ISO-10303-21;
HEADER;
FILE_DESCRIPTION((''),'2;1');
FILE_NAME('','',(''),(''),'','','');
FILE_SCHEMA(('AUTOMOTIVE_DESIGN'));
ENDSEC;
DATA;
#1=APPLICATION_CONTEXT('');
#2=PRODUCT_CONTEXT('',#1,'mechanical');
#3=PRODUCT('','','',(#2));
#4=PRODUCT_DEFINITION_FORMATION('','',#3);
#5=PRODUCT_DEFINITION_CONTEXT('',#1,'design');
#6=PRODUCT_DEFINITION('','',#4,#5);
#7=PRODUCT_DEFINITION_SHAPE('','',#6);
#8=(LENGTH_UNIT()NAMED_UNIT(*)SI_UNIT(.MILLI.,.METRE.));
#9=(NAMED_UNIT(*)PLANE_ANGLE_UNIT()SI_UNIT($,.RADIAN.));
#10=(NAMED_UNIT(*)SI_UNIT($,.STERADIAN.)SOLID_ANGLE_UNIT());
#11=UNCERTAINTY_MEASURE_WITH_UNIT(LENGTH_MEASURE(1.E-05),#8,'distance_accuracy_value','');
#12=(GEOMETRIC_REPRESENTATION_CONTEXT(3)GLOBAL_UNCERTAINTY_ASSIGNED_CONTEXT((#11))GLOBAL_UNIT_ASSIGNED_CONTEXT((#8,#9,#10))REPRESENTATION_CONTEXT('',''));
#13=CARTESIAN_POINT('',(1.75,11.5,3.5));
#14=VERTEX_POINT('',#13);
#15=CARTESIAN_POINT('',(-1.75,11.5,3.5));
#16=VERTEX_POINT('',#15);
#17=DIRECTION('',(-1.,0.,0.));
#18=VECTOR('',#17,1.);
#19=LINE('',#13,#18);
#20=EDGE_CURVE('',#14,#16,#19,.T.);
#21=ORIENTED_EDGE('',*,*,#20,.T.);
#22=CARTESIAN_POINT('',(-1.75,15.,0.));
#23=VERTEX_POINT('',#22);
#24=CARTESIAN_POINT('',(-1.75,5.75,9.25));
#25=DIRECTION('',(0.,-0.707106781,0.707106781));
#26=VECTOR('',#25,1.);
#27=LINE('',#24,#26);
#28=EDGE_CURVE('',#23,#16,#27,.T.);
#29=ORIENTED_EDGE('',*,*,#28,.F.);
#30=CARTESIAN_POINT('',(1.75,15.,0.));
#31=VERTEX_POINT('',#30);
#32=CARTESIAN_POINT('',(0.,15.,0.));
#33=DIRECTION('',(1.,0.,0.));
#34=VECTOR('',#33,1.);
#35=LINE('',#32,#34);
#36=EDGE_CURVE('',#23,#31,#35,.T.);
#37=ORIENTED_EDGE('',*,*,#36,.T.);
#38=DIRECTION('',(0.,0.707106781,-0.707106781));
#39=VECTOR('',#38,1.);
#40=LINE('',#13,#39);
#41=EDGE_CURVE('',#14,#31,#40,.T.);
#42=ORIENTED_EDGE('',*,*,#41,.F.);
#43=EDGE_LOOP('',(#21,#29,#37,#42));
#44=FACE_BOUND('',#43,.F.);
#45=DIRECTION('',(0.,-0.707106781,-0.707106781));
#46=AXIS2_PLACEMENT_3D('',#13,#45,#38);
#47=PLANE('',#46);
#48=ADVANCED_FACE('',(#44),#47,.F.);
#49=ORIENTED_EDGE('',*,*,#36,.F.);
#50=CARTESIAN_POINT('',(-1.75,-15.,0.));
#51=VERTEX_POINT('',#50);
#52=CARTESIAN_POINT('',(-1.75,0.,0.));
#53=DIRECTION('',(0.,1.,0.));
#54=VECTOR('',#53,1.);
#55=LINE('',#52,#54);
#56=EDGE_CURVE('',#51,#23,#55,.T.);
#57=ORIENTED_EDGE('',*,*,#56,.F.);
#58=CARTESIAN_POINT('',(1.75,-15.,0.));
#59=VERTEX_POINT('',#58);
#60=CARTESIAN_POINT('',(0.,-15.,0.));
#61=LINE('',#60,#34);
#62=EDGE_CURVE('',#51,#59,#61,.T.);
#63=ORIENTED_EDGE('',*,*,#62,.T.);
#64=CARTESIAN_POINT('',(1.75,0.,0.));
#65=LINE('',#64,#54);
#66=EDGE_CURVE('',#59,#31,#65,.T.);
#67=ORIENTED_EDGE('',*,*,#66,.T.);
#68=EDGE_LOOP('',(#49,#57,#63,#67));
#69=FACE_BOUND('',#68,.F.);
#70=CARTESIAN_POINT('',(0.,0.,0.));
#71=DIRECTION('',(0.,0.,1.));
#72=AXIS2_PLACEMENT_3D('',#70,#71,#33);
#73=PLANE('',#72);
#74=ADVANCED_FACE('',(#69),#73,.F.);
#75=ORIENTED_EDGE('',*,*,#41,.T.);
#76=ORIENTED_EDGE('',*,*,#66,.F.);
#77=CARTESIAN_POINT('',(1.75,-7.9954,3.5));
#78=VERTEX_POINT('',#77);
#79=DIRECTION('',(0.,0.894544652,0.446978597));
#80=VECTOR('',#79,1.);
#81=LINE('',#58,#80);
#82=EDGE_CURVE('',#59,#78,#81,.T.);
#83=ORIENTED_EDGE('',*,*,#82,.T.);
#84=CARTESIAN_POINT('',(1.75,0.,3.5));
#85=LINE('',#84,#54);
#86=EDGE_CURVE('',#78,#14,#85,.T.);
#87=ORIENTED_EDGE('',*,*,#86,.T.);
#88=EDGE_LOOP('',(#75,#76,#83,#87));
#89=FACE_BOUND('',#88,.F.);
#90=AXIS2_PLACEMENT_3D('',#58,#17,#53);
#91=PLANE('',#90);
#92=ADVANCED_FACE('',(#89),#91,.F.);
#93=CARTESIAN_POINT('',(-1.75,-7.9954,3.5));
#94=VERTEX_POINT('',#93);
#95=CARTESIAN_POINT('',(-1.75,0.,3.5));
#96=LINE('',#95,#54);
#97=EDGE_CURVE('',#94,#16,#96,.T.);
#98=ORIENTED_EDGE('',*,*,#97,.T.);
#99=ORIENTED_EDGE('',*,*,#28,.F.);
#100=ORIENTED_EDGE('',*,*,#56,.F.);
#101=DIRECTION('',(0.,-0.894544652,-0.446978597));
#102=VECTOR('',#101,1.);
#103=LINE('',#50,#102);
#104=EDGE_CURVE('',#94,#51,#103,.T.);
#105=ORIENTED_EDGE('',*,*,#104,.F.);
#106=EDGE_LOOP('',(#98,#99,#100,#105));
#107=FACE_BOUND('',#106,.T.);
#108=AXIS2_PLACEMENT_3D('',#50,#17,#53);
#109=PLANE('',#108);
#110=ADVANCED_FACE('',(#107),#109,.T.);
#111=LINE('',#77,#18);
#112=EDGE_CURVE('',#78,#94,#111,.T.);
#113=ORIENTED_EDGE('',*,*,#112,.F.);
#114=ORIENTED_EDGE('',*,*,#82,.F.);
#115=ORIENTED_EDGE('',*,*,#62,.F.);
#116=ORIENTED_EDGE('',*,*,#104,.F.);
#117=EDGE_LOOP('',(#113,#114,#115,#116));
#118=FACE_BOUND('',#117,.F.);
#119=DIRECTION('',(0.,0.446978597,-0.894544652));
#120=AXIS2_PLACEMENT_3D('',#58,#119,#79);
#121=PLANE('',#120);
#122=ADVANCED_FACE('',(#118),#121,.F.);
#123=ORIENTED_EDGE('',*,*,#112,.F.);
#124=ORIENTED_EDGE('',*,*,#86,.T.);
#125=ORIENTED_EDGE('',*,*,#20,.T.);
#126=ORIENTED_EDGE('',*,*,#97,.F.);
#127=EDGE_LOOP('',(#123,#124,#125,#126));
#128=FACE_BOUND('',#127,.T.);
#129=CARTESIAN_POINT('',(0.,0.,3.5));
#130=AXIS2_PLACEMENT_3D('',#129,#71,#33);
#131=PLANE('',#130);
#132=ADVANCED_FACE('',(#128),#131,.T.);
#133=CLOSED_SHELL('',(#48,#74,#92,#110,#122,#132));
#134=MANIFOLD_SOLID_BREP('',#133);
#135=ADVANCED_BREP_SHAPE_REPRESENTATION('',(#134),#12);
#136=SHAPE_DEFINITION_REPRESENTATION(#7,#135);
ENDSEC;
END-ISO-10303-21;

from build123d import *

# Parameters (mm, degrees)
F0_W     = 3.5
F0_H     = 30
F1_DEPTH = 3.5
F3_DEPTH = 3.501


with BuildPart() as f1:
    # F0 (on Top) → F1 (new body)
    with BuildSketch(Plane.XY):
        Rectangle(F0_W, F0_H)
    extrude(amount=F1_DEPTH)

    # F2 (on face) → F3 (cut, through all)
    with BuildSketch(Plane.YZ.offset(1.75)):
        Polygon((-15, 3.5), (-15, 0), (-7.9954, 3.5), align=None)
        Polygon((15, 3.5), (11.5, 3.5), (15, 0), align=None)
    extrude(amount=-F3_DEPTH, mode=Mode.SUBTRACT)


solid = f1.part
